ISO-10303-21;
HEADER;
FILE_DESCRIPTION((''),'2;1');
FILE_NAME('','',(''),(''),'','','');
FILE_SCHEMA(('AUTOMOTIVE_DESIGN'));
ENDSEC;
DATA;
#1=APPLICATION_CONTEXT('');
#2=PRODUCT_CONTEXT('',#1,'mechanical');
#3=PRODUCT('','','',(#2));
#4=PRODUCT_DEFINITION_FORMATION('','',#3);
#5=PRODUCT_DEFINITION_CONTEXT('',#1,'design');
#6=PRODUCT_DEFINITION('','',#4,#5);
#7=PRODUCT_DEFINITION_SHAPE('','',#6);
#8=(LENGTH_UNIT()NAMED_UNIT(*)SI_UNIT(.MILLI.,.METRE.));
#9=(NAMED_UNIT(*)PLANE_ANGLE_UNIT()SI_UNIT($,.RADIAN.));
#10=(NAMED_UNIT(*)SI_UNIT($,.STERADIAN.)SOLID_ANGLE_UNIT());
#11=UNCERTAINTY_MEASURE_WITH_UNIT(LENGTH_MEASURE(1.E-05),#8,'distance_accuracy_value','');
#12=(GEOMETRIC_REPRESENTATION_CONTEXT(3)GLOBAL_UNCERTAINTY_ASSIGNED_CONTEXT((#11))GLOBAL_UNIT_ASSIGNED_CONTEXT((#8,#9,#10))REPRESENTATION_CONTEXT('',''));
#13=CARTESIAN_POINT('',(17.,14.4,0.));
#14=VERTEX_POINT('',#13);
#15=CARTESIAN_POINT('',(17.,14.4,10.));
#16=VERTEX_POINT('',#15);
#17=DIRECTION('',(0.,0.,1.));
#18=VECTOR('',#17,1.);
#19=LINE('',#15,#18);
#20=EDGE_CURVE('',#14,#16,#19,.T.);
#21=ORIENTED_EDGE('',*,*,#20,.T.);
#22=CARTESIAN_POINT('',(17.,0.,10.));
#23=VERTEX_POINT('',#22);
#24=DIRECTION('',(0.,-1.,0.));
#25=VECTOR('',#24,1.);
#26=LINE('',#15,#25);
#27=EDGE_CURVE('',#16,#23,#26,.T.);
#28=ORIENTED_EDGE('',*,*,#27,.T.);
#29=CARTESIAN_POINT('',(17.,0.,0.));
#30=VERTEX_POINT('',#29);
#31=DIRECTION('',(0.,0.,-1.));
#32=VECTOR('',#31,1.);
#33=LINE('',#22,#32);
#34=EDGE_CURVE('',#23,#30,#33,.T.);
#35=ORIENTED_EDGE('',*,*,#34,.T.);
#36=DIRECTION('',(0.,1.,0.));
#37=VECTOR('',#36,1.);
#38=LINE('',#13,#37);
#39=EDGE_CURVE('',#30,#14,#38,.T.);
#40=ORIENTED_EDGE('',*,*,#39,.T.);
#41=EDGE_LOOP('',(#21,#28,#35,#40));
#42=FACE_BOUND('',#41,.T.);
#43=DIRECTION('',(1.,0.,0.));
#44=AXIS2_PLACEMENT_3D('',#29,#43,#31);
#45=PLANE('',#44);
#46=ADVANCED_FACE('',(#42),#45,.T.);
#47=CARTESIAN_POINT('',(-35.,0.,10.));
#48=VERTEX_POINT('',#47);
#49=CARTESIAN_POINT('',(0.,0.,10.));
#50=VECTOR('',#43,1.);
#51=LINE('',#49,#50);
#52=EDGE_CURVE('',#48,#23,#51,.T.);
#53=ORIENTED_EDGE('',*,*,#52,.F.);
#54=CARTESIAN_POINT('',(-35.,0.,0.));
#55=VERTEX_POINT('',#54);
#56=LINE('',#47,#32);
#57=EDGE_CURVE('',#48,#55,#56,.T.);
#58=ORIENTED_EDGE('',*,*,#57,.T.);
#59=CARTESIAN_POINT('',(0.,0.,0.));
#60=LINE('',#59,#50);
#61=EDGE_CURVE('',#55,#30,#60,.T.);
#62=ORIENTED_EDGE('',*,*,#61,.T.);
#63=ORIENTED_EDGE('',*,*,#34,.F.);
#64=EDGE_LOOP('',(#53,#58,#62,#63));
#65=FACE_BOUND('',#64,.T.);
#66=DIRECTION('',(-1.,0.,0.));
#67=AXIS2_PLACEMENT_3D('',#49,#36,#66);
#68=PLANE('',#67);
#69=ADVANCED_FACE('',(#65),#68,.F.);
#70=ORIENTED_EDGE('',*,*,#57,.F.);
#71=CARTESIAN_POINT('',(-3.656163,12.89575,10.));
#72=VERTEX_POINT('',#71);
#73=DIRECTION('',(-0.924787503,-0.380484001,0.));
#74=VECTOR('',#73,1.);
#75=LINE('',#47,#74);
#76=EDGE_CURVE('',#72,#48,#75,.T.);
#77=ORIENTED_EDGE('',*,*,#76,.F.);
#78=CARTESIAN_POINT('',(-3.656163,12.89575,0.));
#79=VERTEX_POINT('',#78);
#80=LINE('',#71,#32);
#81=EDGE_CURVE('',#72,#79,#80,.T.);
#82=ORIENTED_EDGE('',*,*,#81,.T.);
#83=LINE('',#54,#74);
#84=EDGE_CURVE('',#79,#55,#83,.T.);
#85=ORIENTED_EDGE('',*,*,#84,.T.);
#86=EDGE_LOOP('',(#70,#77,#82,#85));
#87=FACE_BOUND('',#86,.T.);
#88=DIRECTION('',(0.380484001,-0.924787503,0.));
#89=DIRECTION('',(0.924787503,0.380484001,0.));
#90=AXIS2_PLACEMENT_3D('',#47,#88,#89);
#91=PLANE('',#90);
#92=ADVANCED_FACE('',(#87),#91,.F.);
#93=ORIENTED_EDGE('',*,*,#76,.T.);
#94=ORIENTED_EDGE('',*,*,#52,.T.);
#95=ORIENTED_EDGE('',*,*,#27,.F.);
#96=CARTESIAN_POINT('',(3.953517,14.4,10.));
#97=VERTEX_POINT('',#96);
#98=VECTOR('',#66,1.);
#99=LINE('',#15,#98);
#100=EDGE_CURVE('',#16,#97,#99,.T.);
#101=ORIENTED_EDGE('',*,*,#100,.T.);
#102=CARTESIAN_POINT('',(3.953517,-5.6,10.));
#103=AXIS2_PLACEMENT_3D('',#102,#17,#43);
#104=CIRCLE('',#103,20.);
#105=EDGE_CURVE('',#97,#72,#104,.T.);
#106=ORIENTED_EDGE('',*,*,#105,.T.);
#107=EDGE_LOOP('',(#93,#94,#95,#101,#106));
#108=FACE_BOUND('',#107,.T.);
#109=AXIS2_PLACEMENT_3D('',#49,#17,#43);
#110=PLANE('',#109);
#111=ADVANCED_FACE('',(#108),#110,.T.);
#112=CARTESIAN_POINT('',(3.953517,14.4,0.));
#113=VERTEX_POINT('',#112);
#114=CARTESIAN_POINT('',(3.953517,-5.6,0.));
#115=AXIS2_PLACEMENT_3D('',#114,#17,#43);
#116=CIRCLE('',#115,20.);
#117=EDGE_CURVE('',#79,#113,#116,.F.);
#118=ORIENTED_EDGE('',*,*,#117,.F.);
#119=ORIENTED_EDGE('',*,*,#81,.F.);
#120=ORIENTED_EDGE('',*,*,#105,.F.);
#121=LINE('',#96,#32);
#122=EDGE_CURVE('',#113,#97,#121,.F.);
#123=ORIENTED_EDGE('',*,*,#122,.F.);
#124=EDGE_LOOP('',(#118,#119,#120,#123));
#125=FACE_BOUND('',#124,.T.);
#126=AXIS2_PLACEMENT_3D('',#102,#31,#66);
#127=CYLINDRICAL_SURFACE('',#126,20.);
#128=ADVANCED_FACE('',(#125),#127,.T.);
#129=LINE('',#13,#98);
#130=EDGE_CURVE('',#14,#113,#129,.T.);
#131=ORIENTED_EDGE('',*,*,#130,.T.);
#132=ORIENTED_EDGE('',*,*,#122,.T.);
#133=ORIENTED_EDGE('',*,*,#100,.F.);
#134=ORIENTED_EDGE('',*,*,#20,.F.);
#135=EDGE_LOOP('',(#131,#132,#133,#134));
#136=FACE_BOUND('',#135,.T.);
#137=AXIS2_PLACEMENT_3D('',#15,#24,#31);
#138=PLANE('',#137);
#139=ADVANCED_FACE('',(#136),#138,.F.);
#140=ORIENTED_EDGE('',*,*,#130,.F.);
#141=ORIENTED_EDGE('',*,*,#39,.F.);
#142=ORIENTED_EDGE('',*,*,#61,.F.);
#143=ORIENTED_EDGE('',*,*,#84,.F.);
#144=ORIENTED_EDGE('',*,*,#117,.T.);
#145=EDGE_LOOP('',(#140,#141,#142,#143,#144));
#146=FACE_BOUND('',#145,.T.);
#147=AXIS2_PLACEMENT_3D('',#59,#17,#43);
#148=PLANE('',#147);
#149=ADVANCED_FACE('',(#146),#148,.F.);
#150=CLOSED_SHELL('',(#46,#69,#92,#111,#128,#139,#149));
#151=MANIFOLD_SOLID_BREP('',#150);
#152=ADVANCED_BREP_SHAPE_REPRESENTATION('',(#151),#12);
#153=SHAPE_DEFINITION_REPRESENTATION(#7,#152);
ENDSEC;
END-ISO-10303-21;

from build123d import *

# Parameters (mm, degrees)
EXTRUDE_1_DEPTH = 10
SKETCH_3_W      = 10
SKETCH_3_H      = 14.4
EXTRUDE_2_DEPTH = 17
FILLET_1_R      = 20


with BuildPart() as part:
    # 草图1 → 凸台-拉伸1 (new body)
    with BuildSketch(Plane.XY):
        Polygon((0, 0), (-35, 0), (0, 14.4), align=None)
    extrude(amount=EXTRUDE_1_DEPTH)

    # 草图3 → 凸台-拉伸2 (add)
    with BuildSketch(Plane(origin=(0, 0, 0), x_dir=(0, 0, -1), z_dir=(1, 0, 0))):
        with Locations((-5, 7.2)):
            Rectangle(SKETCH_3_W, SKETCH_3_H)
    extrude(amount=EXTRUDE_2_DEPTH)

    # 圆角1
    fillet_1_edges = [part.edges().sort_by_distance(p)[0] for p in [
        (0, 14.4, 5),
    ]]
    fillet(fillet_1_edges, radius=FILLET_1_R)


solid = part.part
